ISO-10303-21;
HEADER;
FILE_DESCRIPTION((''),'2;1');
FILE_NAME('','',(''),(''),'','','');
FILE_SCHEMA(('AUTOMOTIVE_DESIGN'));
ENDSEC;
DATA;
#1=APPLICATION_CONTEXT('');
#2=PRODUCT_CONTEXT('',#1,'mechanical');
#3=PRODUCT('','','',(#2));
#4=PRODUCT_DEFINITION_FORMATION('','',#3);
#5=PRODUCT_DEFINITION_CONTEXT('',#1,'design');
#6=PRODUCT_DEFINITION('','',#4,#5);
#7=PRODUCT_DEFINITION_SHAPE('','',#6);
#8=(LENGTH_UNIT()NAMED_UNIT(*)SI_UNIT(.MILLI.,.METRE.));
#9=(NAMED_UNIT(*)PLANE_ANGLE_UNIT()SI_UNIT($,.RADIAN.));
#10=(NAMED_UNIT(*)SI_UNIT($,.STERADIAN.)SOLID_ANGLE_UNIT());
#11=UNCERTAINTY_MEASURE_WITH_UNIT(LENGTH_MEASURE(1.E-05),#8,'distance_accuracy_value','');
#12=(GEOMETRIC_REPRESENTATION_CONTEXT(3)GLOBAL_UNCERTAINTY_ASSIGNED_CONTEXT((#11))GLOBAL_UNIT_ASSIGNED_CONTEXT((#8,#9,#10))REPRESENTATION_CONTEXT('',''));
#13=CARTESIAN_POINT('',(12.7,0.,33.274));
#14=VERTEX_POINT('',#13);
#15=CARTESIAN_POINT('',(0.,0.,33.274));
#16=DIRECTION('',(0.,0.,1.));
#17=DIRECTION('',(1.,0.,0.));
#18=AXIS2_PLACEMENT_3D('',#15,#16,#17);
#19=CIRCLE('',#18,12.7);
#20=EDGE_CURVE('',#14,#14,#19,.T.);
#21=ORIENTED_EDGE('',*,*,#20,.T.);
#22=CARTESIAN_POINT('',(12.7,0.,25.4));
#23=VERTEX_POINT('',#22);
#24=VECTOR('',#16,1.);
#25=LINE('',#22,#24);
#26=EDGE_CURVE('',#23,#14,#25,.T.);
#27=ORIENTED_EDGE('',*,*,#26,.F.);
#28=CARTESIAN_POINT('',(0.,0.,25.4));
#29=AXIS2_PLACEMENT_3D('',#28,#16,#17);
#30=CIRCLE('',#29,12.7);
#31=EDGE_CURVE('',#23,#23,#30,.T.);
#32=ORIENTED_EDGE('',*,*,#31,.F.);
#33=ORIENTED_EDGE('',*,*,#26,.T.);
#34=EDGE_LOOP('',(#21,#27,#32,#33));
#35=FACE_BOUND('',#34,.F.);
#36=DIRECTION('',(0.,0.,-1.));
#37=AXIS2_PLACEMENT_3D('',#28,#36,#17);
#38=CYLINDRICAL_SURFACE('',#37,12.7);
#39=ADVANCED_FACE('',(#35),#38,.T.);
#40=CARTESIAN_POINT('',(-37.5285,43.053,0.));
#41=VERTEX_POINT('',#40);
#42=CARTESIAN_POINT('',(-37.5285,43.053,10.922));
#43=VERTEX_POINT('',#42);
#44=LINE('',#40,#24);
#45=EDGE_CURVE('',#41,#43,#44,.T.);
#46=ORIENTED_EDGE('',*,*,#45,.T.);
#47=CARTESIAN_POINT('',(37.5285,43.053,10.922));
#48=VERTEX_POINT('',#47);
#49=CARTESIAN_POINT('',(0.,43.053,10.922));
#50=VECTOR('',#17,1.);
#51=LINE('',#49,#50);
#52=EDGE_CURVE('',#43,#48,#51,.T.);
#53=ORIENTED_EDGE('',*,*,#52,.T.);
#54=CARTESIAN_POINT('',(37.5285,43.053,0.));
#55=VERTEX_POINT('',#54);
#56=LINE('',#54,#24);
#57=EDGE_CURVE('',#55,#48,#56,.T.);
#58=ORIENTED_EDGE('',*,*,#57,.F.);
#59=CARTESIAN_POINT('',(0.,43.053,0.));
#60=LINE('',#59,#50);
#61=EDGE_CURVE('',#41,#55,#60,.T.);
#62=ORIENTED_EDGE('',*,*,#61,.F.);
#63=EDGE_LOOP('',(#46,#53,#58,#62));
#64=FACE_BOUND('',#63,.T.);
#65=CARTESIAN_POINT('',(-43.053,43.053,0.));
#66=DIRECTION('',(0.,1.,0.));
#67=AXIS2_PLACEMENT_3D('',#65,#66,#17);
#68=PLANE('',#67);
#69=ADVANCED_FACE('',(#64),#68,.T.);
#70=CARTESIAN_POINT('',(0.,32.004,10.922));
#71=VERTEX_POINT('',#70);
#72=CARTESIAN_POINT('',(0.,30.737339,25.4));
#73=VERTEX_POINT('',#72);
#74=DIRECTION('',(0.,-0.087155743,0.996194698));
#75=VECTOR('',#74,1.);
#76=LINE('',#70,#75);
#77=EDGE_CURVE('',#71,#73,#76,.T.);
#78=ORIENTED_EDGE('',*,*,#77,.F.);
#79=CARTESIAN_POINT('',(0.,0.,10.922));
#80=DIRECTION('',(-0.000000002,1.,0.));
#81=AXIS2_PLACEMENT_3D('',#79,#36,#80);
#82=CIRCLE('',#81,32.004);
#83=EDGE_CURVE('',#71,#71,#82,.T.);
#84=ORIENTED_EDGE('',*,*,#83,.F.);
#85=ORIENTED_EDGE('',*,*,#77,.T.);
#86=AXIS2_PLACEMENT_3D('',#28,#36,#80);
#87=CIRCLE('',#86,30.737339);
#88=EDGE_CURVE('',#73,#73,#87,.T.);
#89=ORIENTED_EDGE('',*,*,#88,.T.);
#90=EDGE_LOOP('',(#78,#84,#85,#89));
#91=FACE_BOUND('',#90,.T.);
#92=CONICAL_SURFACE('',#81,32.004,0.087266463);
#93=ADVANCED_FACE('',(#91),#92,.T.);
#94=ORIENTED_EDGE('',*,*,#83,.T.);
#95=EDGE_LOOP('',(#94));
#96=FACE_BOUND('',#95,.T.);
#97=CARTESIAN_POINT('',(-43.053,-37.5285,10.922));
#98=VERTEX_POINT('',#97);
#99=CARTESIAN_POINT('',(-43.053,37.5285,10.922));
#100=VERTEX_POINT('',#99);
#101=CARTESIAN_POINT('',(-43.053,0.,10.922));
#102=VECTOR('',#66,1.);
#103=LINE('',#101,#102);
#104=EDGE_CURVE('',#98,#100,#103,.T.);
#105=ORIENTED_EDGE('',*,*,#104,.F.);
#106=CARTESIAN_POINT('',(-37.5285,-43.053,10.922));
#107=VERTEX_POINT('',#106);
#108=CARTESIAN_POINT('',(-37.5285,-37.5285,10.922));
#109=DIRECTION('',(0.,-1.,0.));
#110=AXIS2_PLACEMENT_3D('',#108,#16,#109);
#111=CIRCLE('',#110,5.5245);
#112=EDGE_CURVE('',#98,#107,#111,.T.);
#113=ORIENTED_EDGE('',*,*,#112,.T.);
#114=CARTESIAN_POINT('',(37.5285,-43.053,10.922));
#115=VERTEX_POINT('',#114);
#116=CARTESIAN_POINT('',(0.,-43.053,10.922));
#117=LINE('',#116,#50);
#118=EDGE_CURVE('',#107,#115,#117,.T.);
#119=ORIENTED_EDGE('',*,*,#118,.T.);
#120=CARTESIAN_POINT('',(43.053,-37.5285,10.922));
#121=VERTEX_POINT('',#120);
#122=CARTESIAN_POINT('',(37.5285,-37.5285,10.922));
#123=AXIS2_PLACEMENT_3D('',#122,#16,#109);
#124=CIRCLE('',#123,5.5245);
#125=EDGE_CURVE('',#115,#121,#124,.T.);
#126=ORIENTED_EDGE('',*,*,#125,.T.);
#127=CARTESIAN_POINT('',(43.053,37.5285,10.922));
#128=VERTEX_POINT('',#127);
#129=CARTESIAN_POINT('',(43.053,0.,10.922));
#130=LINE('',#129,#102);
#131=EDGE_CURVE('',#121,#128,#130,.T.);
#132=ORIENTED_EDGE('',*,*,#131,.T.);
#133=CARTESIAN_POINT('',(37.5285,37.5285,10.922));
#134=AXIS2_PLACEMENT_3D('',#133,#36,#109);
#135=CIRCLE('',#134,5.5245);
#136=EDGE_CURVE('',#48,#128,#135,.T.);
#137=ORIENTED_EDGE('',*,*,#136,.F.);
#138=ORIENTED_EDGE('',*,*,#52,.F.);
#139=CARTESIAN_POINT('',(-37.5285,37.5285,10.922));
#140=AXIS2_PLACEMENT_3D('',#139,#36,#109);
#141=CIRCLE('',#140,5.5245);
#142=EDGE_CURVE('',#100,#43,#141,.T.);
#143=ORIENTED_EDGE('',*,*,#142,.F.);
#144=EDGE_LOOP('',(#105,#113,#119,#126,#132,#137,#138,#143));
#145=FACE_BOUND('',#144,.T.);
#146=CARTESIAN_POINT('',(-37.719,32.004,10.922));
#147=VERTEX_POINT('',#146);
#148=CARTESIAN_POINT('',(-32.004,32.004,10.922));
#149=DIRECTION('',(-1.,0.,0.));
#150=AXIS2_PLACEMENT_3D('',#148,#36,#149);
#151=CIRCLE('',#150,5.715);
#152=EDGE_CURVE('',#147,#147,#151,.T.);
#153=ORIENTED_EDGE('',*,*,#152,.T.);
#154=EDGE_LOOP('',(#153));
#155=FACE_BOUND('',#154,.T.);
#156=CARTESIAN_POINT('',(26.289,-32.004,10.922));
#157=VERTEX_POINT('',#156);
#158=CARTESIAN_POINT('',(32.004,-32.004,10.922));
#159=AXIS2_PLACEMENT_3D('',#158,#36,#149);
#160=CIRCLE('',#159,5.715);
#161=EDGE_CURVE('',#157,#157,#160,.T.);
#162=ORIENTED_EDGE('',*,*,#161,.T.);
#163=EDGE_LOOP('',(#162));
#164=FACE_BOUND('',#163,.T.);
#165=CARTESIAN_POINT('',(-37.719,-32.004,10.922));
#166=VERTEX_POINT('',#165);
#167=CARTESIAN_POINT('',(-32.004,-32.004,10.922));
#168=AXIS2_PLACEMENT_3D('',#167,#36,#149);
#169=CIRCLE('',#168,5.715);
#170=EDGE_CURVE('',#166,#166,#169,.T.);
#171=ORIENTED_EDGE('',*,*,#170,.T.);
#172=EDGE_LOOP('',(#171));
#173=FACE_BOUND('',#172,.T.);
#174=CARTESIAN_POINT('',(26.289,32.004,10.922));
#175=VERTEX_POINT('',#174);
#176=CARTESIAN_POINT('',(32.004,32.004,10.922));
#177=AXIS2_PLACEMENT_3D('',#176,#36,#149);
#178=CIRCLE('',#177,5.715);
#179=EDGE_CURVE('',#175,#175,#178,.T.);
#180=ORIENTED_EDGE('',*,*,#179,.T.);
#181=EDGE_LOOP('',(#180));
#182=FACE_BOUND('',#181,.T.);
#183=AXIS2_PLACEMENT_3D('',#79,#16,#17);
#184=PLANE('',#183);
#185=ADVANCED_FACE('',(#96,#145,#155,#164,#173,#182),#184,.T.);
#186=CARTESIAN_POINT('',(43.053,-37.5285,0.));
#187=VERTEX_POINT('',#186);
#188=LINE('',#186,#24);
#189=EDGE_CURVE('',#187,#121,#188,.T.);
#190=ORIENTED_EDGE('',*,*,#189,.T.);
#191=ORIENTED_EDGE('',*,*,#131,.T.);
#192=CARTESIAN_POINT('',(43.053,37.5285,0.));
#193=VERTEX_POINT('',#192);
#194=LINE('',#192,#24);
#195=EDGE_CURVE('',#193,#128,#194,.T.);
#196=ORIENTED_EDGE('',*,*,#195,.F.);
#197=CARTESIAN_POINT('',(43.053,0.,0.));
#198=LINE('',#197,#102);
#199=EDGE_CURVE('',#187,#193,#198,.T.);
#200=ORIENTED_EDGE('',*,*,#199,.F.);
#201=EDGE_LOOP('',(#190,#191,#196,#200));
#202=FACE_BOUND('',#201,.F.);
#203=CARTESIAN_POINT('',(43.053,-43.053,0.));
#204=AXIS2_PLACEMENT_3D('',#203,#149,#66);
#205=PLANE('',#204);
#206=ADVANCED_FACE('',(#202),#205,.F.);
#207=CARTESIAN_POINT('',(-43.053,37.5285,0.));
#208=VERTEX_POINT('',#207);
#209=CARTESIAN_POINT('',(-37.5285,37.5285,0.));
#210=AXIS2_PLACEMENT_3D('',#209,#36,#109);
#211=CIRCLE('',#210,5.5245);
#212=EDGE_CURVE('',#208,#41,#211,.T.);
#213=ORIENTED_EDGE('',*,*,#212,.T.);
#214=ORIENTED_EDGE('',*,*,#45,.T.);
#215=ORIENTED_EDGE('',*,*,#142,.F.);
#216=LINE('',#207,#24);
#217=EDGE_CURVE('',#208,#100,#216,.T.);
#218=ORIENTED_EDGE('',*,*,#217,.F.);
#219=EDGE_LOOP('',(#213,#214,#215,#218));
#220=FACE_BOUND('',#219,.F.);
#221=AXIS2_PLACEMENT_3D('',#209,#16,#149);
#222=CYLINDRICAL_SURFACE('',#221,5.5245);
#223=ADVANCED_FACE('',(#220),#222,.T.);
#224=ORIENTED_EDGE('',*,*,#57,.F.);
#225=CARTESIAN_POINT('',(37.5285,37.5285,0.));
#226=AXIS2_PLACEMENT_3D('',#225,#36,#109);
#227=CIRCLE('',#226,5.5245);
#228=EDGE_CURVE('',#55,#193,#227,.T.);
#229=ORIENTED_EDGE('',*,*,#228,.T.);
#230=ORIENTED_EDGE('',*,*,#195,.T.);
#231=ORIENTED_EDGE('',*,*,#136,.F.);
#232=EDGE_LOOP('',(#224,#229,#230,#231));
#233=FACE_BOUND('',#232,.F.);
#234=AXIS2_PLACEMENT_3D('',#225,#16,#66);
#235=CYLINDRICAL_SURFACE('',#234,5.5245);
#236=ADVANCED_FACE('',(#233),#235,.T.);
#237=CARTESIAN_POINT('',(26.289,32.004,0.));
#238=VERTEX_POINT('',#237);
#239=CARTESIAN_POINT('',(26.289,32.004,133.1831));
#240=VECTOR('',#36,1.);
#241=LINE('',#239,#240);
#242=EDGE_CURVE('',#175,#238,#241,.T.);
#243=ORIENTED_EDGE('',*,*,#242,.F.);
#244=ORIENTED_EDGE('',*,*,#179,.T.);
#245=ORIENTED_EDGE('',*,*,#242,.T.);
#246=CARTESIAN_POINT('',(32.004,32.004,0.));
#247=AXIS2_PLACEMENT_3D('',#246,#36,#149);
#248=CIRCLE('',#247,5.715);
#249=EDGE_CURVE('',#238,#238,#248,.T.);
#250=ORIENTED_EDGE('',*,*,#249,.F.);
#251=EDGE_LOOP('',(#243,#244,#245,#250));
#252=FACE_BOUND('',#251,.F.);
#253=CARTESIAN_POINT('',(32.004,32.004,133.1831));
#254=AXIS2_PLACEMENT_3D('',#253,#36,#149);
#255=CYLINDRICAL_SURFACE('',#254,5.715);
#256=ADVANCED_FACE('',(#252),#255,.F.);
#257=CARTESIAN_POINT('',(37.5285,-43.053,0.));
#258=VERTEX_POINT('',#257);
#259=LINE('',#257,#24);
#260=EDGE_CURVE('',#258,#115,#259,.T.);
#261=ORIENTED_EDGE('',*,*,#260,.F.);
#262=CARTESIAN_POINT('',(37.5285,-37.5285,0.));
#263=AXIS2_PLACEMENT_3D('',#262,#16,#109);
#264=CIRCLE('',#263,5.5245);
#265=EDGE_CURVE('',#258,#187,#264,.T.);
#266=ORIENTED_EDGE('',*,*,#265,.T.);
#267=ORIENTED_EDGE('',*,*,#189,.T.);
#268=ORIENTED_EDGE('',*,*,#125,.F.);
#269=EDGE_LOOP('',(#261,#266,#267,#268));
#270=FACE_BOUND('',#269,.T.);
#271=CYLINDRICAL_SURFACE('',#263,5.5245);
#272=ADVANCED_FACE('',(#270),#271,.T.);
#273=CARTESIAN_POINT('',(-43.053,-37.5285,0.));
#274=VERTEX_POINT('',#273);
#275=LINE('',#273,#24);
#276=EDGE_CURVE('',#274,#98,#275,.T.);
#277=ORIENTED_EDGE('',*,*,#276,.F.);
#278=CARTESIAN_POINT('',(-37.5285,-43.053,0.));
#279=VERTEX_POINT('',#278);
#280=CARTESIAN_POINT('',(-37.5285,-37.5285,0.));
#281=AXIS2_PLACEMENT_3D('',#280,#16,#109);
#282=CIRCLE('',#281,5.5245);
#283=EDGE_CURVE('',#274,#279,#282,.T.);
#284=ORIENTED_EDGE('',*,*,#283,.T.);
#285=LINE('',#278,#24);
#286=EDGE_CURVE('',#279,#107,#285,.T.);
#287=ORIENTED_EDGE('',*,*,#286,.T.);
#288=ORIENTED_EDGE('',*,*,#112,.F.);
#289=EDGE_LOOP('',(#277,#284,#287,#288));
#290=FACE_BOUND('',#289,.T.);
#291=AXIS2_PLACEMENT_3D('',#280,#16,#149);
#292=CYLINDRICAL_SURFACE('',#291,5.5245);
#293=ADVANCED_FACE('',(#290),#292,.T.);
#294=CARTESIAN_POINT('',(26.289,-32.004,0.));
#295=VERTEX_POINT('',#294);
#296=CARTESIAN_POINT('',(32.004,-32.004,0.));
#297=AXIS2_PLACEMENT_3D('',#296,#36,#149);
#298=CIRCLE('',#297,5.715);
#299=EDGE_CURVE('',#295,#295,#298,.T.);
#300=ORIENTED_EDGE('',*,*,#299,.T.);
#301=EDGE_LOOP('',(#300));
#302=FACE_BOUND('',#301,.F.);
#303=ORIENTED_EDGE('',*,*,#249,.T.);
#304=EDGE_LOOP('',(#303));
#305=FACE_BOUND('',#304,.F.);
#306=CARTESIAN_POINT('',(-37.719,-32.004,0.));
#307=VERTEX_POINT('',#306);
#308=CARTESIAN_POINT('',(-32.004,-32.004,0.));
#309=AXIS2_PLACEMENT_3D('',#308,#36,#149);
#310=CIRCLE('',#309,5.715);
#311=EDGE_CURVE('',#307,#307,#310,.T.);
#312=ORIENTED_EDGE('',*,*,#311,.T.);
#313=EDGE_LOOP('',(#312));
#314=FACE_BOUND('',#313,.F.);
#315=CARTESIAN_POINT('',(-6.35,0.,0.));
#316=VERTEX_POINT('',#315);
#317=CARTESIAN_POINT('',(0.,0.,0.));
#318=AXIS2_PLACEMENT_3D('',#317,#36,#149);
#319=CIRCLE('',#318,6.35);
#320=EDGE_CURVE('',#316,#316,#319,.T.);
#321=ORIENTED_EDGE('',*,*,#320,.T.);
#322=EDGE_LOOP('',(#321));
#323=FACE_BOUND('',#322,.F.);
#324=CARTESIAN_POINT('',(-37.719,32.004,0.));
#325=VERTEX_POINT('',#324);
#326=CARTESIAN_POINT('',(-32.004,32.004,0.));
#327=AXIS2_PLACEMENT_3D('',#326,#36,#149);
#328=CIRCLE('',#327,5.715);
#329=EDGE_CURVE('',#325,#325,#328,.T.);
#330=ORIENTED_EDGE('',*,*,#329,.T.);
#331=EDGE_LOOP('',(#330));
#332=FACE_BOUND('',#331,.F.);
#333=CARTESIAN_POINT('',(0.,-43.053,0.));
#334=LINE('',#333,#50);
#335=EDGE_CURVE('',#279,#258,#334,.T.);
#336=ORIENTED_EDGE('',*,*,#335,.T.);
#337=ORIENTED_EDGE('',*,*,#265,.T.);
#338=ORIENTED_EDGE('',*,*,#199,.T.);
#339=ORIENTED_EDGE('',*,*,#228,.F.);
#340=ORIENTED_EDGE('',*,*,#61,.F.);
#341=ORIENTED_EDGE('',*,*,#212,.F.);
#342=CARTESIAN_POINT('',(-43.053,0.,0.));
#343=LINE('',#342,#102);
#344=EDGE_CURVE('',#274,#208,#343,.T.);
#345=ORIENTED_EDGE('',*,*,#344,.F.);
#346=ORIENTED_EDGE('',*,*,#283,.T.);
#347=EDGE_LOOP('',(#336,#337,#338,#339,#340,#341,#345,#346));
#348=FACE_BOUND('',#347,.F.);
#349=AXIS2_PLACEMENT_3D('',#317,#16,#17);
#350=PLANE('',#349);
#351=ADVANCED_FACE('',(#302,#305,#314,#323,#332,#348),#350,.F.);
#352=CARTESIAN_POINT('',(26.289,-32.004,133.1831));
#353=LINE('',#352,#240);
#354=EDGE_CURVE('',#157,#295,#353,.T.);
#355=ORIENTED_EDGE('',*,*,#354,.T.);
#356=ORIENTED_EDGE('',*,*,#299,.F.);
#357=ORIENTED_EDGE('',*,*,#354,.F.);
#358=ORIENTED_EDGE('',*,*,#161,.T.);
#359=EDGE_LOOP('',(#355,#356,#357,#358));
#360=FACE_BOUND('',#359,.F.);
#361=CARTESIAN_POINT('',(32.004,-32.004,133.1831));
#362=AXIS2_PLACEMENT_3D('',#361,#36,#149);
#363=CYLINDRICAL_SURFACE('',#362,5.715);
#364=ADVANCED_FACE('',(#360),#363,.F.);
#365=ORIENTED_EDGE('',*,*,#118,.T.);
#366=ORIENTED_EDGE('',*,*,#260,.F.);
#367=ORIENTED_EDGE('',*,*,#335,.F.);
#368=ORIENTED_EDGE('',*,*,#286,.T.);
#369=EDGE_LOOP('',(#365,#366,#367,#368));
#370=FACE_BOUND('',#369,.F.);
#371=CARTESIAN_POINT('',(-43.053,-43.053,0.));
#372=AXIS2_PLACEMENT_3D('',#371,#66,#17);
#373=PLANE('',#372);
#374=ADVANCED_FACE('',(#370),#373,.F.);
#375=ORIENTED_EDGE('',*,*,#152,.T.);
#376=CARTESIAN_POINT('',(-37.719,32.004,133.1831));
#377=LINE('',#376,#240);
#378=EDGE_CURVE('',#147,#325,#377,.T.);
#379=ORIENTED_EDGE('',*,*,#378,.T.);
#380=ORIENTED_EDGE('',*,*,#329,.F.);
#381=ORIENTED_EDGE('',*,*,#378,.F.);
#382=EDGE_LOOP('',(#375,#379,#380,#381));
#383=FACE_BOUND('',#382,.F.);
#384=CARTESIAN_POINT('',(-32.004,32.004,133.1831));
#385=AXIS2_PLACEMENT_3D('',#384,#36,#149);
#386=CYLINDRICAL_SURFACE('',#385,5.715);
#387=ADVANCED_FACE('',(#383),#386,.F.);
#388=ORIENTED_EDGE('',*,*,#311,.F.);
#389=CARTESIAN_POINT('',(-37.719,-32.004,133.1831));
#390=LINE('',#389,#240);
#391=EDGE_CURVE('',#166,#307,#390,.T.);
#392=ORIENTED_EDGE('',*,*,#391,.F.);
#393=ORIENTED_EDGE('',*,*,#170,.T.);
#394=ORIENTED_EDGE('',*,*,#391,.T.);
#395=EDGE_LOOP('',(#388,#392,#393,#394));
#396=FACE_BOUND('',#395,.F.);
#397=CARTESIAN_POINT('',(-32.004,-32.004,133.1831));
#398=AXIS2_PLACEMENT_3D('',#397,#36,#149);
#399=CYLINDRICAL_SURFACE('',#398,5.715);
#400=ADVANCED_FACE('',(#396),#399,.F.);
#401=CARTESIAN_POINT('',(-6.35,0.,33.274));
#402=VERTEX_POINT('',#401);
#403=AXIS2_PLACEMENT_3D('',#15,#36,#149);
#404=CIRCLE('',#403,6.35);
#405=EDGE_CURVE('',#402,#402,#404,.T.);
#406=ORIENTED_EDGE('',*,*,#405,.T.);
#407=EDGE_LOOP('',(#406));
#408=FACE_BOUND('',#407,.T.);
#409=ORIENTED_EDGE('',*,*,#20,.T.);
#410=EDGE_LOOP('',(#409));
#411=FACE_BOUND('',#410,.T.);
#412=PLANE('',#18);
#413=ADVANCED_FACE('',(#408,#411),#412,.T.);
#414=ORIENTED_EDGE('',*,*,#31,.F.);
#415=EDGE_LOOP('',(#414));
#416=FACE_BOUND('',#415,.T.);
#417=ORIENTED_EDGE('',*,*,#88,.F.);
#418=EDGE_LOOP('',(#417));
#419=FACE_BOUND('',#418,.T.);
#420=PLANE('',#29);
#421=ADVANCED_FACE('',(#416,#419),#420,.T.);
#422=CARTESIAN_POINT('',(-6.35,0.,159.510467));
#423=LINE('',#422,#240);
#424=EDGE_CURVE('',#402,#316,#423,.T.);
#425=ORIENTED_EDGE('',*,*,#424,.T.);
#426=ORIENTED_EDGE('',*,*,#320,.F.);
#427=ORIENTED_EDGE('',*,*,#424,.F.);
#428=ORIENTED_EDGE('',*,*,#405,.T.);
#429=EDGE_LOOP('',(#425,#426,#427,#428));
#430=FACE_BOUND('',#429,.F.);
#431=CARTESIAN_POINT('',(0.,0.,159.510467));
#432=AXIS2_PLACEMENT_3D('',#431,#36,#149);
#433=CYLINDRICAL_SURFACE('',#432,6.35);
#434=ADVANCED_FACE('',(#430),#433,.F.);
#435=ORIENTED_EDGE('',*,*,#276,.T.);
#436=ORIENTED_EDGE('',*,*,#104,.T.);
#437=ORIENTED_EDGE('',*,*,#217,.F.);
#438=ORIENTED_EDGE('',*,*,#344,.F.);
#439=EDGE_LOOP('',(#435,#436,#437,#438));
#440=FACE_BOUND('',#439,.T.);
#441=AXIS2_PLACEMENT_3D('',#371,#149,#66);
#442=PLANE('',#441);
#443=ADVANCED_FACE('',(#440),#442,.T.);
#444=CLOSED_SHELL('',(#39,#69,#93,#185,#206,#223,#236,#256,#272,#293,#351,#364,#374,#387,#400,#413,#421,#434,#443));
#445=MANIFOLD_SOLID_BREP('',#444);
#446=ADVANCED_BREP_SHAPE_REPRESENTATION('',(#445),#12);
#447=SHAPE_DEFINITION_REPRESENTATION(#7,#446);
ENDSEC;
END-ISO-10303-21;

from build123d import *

# Parameters (mm, degrees)
F0_W     = 86.106
F0_H     = 86.106
F1_DEPTH = 10.922
F3_D     = 11.43
F5_DEPTH = 14.478
F5_TAPER = 5
F6_R     = 12.7
F7_DEPTH = 7.874
F9_D     = 12.7
F10_R    = 5.5245


with BuildPart() as f1:
    # F0 (on Top) → F1 (new body)
    with BuildSketch(Plane.XY):
        Rectangle(F0_W, F0_H)
    extrude(amount=F1_DEPTH)

    # F3 (through all)
    with Locations(Plane.XY.offset(10.922)):
        with Locations((-32.004, 32.004), (32.004, 32.004), (32.004, -32.004), (-32.004, -32.004)):
            Hole(F3_D / 2)

    # F4 (on face) → F5 (join)
    with BuildSketch(Plane.XY.offset(10.922)):
        with BuildLine():
            ThreePointArc((32.004, 0), (22.6302453978, 22.6302454524), (-7.72e-08, 32.004))
            ThreePointArc((-7.72e-08, 32.004), (-22.6302453978, -22.6302454524), (32.004, 0))
        make_face()
    extrude(amount=F5_DEPTH, taper=F5_TAPER)

    # F6 (on face) → F7 (join)
    with BuildSketch(Plane.XY.offset(25.4)):
        Circle(F6_R)
    extrude(amount=F7_DEPTH)

    # F9 (through all)
    with Locations(Plane.XY.offset(33.274)):
        with Locations((0, 0)):
            Hole(F9_D / 2)

    # F10
    f10_edges = [f1.edges().sort_by_distance(p)[0] for p in [
        (43.053, 43.053, 5.461),
        (43.053, -43.053, 5.461),
        (-43.053, -43.053, 5.461),
        (-43.053, 43.053, 5.461),
    ]]
    fillet(f10_edges, radius=F10_R)


solid = f1.part
